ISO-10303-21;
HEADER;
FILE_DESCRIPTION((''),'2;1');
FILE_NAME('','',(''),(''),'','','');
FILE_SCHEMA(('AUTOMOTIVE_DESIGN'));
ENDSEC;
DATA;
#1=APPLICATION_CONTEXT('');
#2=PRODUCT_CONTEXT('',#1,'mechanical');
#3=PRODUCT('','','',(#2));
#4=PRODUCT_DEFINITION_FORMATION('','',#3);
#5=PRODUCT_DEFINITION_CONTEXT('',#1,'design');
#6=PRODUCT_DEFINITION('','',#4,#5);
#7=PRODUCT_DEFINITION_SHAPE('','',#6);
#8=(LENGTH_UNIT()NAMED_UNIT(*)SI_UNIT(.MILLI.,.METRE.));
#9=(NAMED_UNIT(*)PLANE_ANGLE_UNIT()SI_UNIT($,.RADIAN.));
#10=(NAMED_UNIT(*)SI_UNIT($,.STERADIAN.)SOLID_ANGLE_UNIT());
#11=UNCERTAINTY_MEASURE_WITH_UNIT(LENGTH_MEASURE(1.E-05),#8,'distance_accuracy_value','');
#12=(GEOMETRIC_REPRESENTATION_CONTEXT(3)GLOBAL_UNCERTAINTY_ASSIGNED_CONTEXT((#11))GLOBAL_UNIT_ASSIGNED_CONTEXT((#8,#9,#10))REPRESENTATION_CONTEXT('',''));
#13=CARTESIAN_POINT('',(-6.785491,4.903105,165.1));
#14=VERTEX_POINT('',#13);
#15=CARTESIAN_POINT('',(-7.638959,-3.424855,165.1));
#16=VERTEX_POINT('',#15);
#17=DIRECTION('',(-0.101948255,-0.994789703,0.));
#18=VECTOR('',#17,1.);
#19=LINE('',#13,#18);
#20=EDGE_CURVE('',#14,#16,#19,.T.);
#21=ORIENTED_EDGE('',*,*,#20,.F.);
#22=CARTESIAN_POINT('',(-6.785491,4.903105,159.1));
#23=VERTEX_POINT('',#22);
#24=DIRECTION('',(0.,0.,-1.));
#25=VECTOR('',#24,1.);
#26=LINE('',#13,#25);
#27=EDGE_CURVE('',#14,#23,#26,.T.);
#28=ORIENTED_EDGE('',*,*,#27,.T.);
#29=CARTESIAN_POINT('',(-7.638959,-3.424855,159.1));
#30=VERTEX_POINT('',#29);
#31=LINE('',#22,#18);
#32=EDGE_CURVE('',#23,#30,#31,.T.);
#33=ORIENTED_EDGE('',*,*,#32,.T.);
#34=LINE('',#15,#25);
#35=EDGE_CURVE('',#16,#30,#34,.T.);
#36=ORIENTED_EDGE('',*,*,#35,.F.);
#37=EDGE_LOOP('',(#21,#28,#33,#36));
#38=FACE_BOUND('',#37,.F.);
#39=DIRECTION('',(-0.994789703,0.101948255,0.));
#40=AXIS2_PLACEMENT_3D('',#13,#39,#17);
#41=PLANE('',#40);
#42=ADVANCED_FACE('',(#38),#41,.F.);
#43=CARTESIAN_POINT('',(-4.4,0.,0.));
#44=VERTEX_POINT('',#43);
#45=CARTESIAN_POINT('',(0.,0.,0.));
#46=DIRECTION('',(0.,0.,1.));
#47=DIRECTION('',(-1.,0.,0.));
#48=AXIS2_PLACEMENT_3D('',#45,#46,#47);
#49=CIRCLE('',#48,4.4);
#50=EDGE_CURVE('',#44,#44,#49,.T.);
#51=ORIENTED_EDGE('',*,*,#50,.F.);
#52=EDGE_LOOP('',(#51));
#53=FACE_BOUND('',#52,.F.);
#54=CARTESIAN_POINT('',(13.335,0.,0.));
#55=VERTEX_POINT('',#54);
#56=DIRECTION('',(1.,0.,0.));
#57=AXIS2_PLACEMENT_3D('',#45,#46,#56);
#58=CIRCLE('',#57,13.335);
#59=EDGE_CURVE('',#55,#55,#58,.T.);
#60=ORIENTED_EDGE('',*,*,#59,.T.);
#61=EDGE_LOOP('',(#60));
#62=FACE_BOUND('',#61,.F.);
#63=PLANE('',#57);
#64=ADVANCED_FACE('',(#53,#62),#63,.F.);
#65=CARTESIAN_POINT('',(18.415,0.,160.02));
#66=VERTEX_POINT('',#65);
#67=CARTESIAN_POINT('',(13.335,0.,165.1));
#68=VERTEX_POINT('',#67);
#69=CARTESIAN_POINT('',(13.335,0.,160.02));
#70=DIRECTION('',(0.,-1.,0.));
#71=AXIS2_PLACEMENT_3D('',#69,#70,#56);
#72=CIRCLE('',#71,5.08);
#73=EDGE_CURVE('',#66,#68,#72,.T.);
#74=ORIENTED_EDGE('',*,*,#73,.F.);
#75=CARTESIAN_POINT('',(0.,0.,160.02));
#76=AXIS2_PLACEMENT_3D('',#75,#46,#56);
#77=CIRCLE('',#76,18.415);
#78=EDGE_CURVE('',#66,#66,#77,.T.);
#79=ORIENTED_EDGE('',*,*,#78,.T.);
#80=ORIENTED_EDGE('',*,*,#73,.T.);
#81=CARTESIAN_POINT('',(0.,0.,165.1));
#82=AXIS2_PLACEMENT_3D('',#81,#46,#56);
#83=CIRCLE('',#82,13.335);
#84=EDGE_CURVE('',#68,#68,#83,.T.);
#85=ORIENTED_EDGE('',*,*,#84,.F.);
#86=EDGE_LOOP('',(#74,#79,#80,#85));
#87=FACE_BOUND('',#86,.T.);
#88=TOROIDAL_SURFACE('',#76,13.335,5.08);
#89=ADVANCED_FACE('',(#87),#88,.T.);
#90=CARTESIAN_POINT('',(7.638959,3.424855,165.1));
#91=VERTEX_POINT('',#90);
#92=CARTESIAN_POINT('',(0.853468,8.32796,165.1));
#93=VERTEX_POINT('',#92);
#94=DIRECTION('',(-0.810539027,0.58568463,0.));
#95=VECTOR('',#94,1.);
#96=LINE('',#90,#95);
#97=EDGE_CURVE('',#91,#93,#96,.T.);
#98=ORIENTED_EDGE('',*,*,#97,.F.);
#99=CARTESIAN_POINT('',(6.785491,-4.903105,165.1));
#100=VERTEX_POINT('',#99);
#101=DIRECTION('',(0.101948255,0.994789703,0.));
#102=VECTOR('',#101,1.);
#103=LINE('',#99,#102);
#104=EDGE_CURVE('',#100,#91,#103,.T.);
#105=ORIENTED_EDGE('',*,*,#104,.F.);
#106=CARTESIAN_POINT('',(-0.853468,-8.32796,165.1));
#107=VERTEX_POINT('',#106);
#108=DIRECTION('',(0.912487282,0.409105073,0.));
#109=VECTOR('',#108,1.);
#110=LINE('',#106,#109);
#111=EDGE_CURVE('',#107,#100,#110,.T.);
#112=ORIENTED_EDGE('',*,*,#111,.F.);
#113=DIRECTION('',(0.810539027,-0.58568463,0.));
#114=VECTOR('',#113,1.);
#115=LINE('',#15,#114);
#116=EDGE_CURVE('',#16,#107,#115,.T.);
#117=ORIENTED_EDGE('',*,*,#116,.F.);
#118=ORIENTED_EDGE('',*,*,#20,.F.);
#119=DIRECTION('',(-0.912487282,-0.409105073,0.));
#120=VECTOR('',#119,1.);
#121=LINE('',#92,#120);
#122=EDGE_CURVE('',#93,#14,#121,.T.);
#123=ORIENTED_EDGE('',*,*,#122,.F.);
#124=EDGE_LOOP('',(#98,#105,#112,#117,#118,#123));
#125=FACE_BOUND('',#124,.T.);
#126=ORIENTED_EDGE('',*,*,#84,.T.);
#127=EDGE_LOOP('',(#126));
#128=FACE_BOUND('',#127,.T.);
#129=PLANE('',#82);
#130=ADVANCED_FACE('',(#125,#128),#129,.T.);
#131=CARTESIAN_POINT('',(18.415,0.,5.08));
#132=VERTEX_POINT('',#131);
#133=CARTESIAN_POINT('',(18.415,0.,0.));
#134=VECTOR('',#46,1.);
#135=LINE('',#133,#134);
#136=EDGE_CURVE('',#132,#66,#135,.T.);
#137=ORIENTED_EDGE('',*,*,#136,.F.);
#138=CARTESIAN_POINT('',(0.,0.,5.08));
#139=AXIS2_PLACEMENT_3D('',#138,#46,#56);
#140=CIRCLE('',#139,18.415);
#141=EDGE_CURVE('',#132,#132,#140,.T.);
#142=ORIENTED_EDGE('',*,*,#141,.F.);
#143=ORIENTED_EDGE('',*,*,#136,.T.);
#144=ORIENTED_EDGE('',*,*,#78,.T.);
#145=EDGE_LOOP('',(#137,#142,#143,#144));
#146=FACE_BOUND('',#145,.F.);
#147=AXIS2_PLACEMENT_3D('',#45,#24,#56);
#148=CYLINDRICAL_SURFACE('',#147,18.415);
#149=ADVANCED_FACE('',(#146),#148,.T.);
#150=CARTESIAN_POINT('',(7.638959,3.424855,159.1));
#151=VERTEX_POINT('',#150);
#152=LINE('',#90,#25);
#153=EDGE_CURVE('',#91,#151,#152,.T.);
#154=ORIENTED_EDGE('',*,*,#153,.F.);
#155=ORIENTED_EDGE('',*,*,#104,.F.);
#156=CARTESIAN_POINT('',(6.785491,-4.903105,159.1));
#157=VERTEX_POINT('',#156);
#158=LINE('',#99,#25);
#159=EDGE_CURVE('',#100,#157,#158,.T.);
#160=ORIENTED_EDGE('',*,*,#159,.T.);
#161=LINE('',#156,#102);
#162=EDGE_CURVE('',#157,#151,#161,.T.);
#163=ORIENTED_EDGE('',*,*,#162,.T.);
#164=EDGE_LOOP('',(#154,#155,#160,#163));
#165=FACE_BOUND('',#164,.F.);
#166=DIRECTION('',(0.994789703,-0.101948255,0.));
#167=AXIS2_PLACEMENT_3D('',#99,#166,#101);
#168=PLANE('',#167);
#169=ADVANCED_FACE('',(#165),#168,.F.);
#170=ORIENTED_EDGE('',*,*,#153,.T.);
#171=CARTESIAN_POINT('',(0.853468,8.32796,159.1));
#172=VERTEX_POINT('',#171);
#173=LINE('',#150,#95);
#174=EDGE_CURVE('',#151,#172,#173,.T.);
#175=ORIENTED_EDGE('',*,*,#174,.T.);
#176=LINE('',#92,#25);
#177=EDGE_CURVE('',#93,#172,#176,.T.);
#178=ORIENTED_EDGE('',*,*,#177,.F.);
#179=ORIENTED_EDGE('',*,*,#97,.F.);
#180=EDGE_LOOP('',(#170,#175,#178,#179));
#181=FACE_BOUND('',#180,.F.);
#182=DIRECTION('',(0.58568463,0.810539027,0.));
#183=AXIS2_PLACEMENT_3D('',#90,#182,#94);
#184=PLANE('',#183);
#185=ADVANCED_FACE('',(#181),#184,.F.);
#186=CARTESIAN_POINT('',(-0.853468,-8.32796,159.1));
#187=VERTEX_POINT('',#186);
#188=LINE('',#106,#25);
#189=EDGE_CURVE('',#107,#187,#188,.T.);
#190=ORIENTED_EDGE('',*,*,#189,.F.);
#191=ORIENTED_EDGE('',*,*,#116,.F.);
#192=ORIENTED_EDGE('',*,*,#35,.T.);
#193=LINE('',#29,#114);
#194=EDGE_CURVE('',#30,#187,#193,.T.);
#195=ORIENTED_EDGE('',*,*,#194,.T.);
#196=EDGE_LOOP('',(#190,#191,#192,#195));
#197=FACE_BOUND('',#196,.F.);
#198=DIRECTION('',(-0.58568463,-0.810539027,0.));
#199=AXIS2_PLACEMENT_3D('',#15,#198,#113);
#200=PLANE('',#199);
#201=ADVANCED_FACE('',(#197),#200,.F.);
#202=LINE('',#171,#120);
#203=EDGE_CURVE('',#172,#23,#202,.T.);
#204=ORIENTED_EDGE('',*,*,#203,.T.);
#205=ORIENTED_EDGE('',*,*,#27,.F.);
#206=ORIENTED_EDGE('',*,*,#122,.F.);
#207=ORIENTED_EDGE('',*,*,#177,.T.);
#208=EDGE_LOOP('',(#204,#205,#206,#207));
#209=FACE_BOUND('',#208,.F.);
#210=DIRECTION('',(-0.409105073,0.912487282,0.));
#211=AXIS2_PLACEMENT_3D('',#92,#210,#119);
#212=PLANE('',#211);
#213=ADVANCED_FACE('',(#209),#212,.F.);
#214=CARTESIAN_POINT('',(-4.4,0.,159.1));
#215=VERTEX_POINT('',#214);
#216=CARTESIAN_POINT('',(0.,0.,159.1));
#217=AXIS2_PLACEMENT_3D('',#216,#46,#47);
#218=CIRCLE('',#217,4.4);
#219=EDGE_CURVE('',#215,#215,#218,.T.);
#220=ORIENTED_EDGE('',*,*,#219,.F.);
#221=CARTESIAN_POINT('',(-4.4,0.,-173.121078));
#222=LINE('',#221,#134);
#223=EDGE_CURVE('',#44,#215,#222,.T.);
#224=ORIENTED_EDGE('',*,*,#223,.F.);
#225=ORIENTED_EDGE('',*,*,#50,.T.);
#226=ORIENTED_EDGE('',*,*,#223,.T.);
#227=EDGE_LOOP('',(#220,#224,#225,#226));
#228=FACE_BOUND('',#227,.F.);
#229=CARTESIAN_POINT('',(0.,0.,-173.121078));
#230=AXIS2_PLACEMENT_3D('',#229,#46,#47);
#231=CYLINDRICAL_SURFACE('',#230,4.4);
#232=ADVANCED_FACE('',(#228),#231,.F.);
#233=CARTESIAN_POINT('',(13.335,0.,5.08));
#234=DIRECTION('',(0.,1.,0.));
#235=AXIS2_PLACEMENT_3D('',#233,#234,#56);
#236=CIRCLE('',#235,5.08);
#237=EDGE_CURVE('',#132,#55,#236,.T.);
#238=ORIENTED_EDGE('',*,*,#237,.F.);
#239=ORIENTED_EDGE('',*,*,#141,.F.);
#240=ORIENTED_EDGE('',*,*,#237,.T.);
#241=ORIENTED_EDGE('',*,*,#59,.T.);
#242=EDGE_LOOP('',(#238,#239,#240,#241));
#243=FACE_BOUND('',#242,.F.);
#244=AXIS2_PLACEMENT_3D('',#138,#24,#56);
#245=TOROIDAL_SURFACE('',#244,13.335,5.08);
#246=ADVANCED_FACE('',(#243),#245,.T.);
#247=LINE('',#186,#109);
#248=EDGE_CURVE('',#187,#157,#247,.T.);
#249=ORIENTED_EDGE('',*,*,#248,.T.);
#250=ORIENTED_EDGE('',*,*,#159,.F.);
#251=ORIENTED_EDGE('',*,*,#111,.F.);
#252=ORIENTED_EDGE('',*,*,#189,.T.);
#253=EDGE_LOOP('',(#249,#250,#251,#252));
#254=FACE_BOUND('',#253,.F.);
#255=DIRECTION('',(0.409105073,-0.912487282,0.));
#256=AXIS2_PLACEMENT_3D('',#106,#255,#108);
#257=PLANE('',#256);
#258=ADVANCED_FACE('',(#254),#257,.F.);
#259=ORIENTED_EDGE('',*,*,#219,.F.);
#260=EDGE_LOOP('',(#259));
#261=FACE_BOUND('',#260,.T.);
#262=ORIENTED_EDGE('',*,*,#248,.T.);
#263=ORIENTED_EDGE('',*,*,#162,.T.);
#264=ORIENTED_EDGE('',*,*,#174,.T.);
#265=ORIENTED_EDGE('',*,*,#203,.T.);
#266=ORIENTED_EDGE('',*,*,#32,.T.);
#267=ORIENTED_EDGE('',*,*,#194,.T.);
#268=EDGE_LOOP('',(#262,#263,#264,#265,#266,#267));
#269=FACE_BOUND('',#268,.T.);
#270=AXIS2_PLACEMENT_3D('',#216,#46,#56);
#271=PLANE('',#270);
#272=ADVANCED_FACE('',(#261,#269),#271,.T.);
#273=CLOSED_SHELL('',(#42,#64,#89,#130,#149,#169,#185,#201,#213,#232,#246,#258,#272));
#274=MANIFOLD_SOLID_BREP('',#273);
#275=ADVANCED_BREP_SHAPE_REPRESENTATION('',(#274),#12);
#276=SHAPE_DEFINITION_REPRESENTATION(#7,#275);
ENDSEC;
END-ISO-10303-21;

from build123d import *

# Parameters (mm, degrees)
F0_R     = 18.415
F1_DEPTH = 165.1
F2_R     = 5.08
F3_D     = 8.8
F4_R     = 4.4
F5_DEPTH = 6


with BuildPart() as f1:
    # F0 (on Top) → F1 (new body)
    with BuildSketch(Plane.XY):
        Circle(F0_R)
    extrude(amount=F1_DEPTH)

    # F2
    f2_edges = [f1.edges().sort_by_distance(p)[0] for p in [
        (-18.415, 0, 165.1),
        (-18.415, 0, 0),
    ]]
    fillet(f2_edges, radius=F2_R)

    # F3 (through all)
    with Locations(Plane(origin=(0, 0, 0), x_dir=(1, 0, 0), z_dir=(0, 0, -1))):
        with Locations((0, 0)):
            Hole(F3_D / 2)

    # F4 (on face) → F5 (cut)
    with BuildSketch(Plane.XY.offset(165.1)):
        Polygon((0.8534678569, 8.3279604917), (-6.7854914191, 4.9031050912), (-7.6389592759, -3.4248554005), (-0.8534678569, -8.3279604917), (6.7854914191, -4.9031050912), (7.6389592759, 3.4248554005), align=None)
        Circle(F4_R, mode=Mode.SUBTRACT)
    extrude(amount=-F5_DEPTH, mode=Mode.SUBTRACT)


solid = f1.part
